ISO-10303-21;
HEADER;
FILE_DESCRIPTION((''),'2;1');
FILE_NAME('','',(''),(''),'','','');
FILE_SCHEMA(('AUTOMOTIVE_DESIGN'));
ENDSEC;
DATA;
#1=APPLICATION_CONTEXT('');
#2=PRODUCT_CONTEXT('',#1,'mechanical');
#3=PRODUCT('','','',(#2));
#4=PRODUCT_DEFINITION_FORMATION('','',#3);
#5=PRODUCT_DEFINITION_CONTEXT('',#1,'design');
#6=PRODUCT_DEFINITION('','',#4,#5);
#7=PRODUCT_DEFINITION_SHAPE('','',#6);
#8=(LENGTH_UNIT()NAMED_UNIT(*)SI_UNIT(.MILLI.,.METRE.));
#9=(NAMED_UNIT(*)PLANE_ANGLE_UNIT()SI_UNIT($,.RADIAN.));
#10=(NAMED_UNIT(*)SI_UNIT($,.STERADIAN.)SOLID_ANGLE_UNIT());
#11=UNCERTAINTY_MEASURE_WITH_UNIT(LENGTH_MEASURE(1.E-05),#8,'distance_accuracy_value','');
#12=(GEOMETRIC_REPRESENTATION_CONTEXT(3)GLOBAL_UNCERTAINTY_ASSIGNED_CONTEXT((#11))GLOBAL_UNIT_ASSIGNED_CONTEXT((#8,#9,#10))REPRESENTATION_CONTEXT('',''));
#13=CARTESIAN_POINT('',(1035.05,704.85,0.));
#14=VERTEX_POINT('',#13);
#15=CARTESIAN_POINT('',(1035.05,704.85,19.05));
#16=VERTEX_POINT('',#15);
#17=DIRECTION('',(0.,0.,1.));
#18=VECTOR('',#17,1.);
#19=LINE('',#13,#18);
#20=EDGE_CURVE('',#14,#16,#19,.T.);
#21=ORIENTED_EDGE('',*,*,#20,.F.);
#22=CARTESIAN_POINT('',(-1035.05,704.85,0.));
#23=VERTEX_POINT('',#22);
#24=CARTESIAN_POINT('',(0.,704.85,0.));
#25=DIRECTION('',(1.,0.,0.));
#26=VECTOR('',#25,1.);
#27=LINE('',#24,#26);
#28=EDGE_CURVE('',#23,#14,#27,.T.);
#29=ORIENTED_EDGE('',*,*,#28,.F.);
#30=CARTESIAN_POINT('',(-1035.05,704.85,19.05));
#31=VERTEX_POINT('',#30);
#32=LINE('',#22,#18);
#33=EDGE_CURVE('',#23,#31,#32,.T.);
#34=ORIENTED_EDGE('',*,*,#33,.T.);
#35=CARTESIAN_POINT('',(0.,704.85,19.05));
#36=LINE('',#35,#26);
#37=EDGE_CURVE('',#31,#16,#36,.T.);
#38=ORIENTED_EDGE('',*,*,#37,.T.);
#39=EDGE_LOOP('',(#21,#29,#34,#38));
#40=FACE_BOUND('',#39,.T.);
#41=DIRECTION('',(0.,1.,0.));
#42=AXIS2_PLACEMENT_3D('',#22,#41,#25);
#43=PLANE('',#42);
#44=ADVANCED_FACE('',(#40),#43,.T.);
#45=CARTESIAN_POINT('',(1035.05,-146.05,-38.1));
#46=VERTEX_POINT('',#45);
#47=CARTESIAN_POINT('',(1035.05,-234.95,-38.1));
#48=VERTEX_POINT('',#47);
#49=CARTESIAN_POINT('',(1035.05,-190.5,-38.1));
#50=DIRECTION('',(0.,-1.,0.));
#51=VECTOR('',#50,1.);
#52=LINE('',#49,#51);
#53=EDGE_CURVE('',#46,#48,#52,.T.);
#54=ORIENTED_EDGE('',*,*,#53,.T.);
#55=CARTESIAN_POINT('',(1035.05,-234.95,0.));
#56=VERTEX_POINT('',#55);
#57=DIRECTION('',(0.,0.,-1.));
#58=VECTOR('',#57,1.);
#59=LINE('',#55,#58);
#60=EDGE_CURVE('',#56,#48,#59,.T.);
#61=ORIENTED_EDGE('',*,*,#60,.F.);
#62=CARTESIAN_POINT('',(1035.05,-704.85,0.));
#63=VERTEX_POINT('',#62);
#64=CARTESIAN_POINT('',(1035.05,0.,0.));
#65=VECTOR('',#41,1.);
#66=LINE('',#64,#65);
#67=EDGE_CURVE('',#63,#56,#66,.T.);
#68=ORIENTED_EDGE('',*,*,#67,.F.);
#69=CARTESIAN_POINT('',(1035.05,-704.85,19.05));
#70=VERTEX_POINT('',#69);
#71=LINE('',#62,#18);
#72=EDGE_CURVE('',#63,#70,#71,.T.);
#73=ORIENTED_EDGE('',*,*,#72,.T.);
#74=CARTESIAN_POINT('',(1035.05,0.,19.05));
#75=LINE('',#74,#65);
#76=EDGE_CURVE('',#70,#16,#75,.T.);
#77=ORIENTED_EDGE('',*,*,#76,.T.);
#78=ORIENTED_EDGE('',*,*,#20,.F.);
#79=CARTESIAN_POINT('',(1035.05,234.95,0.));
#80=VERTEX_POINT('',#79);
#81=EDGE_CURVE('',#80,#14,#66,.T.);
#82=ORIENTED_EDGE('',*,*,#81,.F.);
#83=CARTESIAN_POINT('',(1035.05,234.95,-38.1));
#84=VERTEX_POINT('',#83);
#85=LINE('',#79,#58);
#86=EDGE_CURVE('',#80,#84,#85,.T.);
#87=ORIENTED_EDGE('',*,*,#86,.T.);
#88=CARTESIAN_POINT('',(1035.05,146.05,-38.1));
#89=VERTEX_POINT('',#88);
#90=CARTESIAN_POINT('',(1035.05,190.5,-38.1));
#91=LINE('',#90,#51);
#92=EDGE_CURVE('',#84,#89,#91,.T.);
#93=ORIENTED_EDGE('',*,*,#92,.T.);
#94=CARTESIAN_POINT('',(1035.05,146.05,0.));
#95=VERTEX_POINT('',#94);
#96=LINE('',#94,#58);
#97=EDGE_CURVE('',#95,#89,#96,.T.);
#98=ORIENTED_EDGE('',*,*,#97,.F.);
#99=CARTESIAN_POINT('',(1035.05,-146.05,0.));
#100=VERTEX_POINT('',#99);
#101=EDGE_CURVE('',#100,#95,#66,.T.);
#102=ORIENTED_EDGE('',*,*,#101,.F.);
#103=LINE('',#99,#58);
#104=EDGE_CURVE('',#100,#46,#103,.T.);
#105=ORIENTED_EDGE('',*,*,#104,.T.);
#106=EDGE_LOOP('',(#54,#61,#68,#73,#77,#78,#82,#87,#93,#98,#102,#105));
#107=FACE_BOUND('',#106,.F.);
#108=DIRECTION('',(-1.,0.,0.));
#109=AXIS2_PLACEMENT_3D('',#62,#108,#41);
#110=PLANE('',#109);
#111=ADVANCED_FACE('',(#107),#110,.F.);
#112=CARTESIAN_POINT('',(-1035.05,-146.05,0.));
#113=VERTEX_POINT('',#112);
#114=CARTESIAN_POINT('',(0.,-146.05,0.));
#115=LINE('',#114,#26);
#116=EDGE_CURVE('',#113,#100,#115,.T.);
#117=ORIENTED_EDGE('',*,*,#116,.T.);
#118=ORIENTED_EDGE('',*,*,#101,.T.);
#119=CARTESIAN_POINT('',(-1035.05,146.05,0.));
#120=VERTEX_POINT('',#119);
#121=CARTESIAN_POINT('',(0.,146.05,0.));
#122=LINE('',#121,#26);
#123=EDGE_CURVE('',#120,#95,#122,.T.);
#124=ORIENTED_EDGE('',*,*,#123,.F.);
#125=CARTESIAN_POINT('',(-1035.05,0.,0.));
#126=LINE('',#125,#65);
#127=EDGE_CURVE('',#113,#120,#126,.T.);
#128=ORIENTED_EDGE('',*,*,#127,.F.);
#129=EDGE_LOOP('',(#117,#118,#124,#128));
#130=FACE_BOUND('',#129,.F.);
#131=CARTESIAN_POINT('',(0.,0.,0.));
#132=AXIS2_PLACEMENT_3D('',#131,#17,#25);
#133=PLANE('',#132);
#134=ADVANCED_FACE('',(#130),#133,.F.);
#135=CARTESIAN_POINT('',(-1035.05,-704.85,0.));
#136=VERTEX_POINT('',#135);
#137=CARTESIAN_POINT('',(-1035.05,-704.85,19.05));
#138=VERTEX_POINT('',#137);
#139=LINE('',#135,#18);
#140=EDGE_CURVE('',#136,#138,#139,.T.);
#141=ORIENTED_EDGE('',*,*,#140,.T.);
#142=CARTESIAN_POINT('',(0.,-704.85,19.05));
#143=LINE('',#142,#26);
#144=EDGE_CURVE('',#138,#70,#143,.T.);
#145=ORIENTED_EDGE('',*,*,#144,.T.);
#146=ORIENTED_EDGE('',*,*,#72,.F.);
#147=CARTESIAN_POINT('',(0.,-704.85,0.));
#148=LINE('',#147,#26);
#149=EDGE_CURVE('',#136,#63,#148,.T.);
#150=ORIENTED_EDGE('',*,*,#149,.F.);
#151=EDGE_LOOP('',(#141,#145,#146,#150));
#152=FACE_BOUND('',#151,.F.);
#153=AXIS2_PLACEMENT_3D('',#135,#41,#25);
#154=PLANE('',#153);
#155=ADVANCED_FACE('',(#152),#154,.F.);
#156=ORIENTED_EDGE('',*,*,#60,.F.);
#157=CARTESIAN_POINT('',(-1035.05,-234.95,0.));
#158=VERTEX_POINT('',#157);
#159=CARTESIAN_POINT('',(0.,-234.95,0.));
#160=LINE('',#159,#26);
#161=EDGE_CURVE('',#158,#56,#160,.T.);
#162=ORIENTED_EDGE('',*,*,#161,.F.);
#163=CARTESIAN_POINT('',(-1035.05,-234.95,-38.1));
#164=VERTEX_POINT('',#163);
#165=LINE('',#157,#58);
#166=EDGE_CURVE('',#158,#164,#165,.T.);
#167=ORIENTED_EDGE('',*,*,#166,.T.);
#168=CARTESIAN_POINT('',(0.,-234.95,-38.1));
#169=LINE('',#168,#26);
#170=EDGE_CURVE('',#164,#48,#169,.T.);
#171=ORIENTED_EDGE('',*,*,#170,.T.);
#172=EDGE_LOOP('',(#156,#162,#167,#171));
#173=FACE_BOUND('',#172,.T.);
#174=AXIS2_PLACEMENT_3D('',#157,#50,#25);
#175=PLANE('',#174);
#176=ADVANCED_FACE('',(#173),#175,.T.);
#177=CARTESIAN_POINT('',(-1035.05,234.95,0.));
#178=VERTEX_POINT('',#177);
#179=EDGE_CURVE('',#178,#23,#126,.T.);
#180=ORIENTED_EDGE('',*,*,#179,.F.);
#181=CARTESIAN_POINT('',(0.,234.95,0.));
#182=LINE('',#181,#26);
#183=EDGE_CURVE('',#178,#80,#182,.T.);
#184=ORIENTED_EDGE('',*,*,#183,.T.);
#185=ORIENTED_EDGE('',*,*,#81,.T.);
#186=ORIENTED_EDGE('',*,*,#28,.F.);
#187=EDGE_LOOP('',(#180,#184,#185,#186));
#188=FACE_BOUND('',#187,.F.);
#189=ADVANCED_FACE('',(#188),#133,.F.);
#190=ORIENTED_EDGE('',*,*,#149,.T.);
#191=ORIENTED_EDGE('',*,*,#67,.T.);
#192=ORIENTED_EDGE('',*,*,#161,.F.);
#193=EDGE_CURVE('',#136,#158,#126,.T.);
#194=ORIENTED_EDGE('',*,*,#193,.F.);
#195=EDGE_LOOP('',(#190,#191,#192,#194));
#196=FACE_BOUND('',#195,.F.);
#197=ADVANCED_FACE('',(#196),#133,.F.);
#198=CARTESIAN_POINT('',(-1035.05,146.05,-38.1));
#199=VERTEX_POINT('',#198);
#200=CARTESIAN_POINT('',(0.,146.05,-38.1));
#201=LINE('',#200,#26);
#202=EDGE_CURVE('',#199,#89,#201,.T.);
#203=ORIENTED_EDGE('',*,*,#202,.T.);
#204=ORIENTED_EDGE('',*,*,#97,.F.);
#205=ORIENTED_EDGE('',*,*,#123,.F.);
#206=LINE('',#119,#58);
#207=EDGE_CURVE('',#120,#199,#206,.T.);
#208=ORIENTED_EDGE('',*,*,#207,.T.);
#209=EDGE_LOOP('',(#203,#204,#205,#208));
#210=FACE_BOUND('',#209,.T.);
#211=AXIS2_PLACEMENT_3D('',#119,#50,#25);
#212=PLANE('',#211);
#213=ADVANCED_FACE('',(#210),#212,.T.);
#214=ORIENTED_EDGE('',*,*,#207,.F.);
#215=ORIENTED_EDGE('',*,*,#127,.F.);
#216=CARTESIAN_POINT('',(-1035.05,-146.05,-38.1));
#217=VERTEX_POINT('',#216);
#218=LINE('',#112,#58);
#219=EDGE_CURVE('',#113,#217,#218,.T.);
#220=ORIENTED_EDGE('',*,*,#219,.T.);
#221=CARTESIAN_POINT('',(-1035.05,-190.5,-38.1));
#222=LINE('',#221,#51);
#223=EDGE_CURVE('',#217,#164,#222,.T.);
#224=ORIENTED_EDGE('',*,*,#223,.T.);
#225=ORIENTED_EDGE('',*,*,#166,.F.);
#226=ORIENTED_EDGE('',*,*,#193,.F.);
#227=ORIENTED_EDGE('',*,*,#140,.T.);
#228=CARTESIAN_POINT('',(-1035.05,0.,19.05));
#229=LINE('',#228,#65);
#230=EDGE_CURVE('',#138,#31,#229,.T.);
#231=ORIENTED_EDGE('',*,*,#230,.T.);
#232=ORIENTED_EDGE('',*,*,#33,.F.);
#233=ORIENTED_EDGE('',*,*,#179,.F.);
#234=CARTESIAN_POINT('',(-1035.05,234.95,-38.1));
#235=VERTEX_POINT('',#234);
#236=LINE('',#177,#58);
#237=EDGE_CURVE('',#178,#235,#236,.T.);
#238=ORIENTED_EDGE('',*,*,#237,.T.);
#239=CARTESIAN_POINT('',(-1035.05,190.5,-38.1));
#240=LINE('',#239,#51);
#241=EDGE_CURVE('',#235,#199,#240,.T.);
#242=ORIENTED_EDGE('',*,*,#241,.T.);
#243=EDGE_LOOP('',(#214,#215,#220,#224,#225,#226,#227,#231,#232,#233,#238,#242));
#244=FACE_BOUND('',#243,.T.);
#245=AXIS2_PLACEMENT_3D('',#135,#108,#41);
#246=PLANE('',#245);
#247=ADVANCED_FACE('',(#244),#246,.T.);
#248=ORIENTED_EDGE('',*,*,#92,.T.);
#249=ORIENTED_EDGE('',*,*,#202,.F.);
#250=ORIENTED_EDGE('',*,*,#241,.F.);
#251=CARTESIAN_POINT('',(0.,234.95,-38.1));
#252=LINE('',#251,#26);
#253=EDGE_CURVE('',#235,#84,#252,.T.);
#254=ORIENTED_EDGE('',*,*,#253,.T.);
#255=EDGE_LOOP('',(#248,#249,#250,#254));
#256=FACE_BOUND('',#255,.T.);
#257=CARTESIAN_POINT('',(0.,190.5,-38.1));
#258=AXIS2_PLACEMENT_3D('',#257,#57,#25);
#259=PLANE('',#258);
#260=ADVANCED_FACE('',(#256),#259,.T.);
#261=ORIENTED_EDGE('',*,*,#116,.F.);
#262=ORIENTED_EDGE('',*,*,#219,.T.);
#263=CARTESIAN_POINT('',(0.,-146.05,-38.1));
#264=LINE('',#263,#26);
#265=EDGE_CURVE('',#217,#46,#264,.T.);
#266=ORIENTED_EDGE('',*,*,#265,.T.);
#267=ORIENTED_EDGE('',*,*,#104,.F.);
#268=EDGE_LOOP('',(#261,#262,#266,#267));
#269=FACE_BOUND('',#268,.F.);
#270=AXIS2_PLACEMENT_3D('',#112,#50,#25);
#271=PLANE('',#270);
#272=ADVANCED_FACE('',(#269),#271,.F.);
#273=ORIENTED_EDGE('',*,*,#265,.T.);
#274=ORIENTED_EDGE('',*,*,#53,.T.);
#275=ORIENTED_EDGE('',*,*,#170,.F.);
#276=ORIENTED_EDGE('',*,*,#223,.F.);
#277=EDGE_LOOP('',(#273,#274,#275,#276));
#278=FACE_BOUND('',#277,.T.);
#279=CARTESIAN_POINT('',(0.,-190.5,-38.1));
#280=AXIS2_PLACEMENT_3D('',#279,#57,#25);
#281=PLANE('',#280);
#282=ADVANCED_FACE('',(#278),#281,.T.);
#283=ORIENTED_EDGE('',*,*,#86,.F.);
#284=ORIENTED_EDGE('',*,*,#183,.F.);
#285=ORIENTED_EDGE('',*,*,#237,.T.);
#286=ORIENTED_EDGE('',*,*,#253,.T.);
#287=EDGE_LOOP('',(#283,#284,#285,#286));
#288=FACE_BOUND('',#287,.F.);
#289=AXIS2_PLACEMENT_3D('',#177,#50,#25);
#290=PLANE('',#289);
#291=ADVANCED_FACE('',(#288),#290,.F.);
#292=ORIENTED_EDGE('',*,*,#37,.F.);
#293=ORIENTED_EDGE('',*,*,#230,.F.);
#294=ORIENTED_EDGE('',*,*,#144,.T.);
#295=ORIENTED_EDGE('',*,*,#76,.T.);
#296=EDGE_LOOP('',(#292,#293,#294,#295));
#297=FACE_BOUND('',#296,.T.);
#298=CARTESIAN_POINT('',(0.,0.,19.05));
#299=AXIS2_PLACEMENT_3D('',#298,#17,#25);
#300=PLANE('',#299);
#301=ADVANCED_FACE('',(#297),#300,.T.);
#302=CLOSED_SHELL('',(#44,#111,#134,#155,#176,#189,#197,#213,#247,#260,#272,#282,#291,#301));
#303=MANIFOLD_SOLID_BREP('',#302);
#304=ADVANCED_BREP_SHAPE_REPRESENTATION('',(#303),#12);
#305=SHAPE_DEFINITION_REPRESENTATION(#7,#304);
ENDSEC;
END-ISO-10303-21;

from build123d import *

# Parameters (mm, degrees)
F0_W     = 2070.1
F0_H     = 1409.7
F1_DEPTH = 19.05
F2_W     = 2070.1
F2_H     = 88.9
F3_DEPTH = 38.1


with BuildPart() as f1:
    # F0 (on Top) → F1 (new body)
    with BuildSketch(Plane.XY):
        Rectangle(F0_W, F0_H)
    extrude(amount=F1_DEPTH)

    # F2 (on face) → F3 (join)
    with BuildSketch(Plane(origin=(0, 0, 0), x_dir=(1, 0, 0), z_dir=(0, 0, -1))):
        with Locations((0, 190.5)):
            Rectangle(F2_W, F2_H)
        with Locations((0, -190.5)):
            Rectangle(F2_W, F2_H)
    extrude(amount=F3_DEPTH)


solid = f1.part
